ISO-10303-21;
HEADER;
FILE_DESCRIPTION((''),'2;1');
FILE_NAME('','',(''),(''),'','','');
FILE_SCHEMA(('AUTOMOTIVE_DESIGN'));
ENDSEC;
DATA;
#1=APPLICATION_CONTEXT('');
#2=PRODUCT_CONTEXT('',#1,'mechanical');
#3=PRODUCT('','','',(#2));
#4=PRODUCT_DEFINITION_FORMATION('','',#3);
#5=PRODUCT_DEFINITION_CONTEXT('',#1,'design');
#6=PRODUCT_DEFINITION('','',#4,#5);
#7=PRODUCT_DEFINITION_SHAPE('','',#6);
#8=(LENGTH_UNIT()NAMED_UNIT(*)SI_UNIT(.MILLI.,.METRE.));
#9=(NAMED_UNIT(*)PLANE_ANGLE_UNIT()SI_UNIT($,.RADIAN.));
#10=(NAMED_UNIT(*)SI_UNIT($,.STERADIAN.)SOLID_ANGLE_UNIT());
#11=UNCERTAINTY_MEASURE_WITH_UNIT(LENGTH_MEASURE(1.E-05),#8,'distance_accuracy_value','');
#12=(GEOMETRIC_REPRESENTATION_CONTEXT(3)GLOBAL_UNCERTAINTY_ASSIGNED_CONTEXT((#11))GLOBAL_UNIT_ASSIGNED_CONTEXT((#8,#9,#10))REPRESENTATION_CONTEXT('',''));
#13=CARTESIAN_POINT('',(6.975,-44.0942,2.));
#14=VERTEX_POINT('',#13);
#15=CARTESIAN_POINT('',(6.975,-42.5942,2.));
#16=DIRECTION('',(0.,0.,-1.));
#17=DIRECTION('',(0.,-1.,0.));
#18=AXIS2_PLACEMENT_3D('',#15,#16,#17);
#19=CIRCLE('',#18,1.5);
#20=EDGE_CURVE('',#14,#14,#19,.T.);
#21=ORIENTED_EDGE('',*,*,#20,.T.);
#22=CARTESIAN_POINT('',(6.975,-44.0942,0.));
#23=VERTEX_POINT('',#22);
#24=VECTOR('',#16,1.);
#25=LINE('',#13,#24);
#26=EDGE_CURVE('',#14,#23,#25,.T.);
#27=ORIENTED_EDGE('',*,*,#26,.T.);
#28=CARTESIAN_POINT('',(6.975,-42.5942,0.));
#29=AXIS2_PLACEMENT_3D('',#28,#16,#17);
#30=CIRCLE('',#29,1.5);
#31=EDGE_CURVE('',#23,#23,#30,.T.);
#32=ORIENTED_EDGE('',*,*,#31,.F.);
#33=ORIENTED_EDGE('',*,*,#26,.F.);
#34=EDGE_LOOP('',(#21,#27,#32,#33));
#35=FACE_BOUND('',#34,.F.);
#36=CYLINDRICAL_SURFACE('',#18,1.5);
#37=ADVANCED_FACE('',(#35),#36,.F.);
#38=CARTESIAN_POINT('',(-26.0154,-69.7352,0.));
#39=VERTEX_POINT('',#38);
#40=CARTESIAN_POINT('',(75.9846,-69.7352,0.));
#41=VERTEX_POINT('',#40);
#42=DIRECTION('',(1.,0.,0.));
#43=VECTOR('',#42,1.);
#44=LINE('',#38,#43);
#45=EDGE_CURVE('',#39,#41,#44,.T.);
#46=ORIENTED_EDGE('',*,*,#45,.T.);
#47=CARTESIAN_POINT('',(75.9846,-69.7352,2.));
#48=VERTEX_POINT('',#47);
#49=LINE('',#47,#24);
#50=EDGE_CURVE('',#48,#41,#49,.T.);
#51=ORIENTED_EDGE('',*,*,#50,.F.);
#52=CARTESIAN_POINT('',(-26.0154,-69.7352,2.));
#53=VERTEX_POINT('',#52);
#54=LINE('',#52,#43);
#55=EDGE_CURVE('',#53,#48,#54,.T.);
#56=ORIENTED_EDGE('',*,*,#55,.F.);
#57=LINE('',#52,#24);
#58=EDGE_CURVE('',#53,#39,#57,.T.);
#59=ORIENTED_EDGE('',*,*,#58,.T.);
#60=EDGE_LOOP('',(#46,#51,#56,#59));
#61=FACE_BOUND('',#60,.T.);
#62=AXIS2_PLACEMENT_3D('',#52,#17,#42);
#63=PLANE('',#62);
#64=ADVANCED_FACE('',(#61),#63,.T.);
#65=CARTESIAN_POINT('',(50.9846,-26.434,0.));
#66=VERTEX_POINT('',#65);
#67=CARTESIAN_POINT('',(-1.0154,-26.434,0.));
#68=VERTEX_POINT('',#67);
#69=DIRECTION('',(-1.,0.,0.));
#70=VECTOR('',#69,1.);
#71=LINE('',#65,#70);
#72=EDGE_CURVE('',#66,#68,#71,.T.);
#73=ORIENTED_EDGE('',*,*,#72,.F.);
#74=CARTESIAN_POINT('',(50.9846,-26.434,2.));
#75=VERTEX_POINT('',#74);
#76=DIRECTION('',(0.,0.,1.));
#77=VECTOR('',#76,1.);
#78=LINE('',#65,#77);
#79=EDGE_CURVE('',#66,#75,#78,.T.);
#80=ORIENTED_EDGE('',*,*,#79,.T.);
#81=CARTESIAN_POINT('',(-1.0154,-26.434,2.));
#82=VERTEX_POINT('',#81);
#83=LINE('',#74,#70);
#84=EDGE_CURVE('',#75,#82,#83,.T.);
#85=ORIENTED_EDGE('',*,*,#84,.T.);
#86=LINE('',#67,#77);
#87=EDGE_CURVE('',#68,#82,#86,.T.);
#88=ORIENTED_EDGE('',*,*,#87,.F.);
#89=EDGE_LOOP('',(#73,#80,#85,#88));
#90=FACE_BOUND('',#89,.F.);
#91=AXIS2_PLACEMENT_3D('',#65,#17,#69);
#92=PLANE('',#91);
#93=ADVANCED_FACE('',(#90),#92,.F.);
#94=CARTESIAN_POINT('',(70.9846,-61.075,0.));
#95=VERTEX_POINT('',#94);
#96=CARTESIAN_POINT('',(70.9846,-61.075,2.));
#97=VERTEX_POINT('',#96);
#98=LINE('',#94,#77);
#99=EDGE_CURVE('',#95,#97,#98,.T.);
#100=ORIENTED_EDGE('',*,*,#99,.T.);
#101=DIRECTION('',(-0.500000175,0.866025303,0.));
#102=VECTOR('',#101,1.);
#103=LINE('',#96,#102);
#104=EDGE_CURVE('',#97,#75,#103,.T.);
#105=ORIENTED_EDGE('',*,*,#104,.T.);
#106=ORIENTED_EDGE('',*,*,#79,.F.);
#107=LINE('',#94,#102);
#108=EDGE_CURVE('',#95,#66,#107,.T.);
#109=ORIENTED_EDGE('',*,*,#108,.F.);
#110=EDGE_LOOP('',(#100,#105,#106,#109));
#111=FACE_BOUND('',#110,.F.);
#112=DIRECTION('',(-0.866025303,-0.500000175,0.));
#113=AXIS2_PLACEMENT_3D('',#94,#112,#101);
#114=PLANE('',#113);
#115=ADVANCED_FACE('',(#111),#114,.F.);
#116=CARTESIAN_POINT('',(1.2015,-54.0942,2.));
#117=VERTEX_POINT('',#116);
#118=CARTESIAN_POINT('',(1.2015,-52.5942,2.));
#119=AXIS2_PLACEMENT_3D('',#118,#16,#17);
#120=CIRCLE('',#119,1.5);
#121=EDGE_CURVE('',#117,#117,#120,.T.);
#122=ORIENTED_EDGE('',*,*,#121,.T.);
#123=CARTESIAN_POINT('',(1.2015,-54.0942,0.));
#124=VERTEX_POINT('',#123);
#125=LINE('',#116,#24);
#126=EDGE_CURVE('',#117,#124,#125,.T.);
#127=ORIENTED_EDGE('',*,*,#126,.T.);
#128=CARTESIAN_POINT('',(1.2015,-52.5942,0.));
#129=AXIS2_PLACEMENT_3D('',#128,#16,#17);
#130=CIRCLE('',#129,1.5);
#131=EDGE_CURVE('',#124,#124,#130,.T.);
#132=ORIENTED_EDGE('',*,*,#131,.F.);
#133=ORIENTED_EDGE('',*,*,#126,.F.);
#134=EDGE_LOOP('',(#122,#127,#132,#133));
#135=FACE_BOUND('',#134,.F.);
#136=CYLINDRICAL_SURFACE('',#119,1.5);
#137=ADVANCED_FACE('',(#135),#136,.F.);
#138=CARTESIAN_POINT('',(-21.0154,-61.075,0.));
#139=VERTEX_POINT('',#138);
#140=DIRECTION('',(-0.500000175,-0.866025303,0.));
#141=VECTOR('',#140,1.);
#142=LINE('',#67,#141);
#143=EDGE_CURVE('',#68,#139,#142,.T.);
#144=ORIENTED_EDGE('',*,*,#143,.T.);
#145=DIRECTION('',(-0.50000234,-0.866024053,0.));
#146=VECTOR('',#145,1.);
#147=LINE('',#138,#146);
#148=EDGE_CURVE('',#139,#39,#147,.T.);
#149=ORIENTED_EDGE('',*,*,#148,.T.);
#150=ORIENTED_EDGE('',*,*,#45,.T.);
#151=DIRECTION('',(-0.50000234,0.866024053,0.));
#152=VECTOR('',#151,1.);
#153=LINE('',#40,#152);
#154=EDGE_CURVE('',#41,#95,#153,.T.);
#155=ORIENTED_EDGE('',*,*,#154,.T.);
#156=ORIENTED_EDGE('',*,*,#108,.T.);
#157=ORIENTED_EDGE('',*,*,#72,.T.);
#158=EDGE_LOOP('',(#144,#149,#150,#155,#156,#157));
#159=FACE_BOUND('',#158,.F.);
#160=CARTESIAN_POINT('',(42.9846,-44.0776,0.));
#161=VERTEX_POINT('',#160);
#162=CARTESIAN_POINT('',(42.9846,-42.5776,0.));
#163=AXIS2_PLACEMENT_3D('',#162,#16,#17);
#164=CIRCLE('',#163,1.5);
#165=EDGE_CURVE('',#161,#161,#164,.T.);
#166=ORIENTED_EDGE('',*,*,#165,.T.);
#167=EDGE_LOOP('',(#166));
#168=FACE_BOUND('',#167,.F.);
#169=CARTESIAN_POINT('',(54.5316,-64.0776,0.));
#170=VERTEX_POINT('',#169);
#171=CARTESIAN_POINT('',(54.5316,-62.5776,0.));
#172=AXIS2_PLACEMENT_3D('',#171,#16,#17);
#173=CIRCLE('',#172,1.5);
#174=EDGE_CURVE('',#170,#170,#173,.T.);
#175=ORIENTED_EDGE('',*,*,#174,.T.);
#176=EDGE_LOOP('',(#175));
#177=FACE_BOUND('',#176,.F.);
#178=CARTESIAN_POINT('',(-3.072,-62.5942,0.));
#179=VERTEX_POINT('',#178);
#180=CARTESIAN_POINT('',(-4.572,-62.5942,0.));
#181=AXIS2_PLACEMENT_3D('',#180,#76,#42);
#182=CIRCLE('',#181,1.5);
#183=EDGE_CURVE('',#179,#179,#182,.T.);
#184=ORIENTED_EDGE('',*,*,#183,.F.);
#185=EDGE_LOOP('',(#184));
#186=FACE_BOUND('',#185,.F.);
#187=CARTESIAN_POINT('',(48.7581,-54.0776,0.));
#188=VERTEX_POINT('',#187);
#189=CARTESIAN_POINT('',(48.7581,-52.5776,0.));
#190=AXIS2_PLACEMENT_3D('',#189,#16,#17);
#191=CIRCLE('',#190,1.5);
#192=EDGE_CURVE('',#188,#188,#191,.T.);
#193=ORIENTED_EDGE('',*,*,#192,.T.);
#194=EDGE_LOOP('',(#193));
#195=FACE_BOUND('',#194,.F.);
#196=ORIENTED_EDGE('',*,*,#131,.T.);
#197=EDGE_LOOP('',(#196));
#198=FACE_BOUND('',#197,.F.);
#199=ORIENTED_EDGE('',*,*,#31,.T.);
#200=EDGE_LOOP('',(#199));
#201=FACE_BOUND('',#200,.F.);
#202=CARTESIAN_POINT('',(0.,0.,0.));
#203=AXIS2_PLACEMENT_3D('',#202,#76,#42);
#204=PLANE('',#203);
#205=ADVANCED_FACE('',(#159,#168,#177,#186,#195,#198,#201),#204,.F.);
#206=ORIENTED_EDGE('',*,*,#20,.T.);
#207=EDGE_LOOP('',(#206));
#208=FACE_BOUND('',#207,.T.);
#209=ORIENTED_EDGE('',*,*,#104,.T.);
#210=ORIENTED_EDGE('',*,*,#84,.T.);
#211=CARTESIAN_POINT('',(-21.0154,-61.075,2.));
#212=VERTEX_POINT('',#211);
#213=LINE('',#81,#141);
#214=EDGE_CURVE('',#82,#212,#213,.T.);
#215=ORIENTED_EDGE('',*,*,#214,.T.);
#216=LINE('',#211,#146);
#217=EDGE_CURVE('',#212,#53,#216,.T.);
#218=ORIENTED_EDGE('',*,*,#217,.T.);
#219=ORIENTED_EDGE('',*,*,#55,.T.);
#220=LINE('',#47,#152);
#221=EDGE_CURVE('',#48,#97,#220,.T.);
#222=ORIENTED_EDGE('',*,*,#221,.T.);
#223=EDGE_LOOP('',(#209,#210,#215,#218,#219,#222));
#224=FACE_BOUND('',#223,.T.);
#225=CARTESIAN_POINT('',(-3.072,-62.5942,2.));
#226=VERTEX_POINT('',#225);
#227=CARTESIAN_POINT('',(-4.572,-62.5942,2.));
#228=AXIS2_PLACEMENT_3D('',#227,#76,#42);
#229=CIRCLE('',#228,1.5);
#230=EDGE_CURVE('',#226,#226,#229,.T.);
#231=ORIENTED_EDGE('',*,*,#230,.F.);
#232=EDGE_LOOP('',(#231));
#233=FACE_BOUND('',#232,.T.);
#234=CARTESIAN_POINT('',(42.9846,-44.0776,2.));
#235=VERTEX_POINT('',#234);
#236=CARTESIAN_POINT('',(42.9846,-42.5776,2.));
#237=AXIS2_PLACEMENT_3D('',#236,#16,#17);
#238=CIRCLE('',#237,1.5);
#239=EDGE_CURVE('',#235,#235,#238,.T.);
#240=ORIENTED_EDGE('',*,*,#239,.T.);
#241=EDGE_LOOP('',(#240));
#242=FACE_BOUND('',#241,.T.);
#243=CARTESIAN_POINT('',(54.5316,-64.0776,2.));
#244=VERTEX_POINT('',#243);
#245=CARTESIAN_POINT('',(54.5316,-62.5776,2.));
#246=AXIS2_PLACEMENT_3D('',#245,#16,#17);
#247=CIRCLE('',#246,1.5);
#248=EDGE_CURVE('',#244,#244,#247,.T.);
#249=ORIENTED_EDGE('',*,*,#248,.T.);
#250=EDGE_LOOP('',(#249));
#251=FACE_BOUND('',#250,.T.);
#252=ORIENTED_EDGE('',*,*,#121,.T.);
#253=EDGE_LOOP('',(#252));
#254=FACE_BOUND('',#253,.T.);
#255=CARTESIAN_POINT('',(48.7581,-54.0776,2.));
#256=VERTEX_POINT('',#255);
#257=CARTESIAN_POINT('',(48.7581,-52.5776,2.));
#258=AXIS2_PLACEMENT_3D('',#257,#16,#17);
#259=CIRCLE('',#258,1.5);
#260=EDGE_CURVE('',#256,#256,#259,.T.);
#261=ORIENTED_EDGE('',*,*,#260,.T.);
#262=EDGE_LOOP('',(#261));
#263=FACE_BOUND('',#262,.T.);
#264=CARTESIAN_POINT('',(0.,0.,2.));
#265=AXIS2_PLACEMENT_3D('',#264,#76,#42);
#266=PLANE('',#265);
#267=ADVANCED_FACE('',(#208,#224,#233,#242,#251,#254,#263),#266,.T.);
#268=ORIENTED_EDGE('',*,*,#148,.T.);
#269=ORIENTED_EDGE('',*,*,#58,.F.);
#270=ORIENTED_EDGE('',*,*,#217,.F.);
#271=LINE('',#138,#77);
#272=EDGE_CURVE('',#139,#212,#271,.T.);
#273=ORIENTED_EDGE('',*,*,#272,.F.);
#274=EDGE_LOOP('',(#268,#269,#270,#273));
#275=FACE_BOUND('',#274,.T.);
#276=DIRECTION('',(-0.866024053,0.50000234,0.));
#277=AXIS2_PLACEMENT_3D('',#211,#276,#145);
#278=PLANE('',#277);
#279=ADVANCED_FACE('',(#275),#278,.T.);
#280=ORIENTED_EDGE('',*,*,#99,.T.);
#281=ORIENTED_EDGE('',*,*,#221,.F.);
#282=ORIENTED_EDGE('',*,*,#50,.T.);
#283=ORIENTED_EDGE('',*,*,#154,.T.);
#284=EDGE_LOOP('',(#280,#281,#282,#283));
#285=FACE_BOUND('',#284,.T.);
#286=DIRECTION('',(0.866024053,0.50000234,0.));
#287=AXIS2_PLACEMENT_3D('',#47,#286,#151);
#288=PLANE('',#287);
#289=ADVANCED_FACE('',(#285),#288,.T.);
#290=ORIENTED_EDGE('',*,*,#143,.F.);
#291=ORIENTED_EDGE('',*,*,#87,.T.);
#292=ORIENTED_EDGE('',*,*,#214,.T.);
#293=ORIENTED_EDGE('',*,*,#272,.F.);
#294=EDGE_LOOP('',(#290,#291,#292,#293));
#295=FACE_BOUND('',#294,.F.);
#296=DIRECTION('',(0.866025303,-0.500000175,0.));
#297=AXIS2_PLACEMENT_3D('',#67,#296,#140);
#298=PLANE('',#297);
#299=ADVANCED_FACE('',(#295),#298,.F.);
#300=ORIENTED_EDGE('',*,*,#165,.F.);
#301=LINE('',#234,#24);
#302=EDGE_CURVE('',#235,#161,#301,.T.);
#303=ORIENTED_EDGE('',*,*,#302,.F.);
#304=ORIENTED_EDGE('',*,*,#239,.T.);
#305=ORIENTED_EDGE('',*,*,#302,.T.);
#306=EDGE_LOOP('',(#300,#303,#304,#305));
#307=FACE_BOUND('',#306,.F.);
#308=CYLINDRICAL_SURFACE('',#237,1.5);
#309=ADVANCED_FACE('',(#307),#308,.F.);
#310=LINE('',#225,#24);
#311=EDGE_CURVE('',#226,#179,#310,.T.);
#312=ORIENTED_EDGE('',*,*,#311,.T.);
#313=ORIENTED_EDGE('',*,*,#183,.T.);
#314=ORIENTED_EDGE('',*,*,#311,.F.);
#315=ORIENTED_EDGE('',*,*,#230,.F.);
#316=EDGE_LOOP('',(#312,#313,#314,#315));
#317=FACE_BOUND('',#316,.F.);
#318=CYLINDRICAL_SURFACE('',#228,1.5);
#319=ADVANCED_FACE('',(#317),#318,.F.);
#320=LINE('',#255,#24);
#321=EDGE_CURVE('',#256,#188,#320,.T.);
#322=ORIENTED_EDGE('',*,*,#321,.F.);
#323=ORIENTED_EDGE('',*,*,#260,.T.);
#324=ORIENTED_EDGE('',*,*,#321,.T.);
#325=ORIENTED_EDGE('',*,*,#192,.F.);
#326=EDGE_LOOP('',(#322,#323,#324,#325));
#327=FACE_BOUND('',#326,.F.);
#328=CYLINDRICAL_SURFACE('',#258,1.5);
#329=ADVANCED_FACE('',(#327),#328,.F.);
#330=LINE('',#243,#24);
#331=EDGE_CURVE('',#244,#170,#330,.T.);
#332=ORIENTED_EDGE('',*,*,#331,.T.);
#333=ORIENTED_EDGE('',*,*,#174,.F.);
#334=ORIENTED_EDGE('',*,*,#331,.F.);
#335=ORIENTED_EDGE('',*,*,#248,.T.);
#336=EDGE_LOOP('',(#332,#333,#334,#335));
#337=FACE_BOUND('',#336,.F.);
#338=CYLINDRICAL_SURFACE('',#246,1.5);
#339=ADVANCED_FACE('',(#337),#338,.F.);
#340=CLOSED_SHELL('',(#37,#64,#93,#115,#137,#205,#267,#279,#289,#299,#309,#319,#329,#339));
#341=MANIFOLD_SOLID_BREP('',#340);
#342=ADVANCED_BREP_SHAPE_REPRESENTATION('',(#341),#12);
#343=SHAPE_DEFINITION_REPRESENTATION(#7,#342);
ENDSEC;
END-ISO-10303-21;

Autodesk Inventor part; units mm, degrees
ref_plane "YZ Plane" through (0, 0, 0) normal (1, 0, 0) x (0, 1, 0)
ref_plane "XZ Plane" through (0, 0, 0) normal (0, 1, 0) x (-1, 0, 0)
ref_plane "XY Plane" through (0, 0, 0) normal (0, 0, 1) x (1, 0, 0)
sketch "スケッチ1" plane through (0, 0, 0) normal (0, 0, 1) x (1, 0, 0)
  line L0 (-21.0154, -61.075) -> (70.9846, -61.075)
  line L1 (70.9846, -61.075) -> (50.9846, -26.434)
  line L2 (50.9846, -26.434) -> (-1.0154, -26.434)
  line L3 (-1.0154, -26.434) -> (-21.0154, -61.075)
  point P0 (0, 0)
  dimension "d0" = 92
  dimension "d1" = 40
  dimension "d2" = 60
  dimension "d3" = 52
extrude "押し出し1" add sketch "スケッチ1" along normal blind 2
sketch "スケッチ2" plane through (0, 0, 2) normal (0, 0, 1) x (1, 0, 0)
  circle A0 centre (6.975, -42.5942) radius 1.5
  line L0 (-1.0154, -26.434) -> (-21.0154, -61.075) projected
  line L1 (50.9846, -26.434) -> (-1.0154, -26.434) projected
  line L2 (-1.0154, -26.434) -> (24.9653, -41.434)
  line L3 (-1.0154, -26.434) -> (28.9846, -26.434) construction
  line L4 (70.9846, -61.075) -> (50.9846, -26.434) projected
  line L5 (50.9846, -26.434) -> (24.9751, -41.4506)
  circle A1 centre (1.2015, -52.5942) radius 1.5
  circle A2 centre (-4.572, -62.5942) radius 1.5
  line L6 (-21.0154, -61.075) -> (70.9846, -61.075) projected
  line L7 (-21.0154, -61.075) -> (-26.0154, -69.7352)
  line L8 (-21.0154, -61.075) -> (-11.0154, -61.075) construction
  line L9 (-26.0154, -69.7352) -> (75.9846, -69.7352)
  line L10 (75.9846, -69.7352) -> (70.9846, -61.075)
  point P0 (0, 0)
  dimension "d6" = 3
  dimension "d7" = 15
  dimension "d8" = 30
  dimension "d9" = 30
  dimension "d10" = 10
  dimension "d11" = 3
  dimension "d12" = 3
  dimension "d13" = 10
  dimension "d14" = 15
  dimension "d15" = 10
  dimension "d16" = 120
  dimension "d17" = 60
  dimension "d18" = 10
  dimension "d19" = 15
extrude "押し出し2" add sketch "スケッチ2" against normal blind 2 contours L6 L10 L9 L7
sketch "スケッチ3" plane through (0, 0, 2) normal (0, 0, 1) x (1, 0, 0)
  line L0 (-1.0154, -26.434) -> (-26.0154, -69.7352) projected
  line L1 (-1.0154, -26.434) -> (24.9653, -41.434)
  line L2 (-1.0154, -26.434) -> (28.9846, -26.434) construction
  line L3 (24.9653, -41.434) -> (50.9461, -26.434)
  circle A0 centre (6.975, -42.5942) radius 1.5
  circle A1 centre (1.2015, -52.5942) radius 1.5
  circle A2 centre (42.9846, -42.5776) radius 1.5
  circle A3 centre (48.7581, -52.5776) radius 1.5
  circle A4 centre (54.5316, -62.5776) radius 1.5
  line L4 (75.9846, -69.7352) -> (50.9846, -26.434) projected
  point P0 (0, 0)
  dimension "d22" = 30
  dimension "d23" = 30
  dimension "d24" = 120
  dimension "d25" = 3
  dimension "d26" = 15
  dimension "d27" = 10
  dimension "d28" = 3
  dimension "d29" = 15
  dimension "d30" = 10
  dimension "d31" = 3
  dimension "d32" = 3
  dimension "d33" = 3
  dimension "d34" = 15
  dimension "d35" = 15
  dimension "d36" = 15
  dimension "d37" = 10
  dimension "d38" = 10
  dimension "d39" = 10
hole "穴1" at (1.2015, -52.5942, 2) at (6.975, -42.5942, 2) at (42.9846, -42.5776, 2) at (54.5316, -62.5776, 2) at (48.7581, -52.5776, 2) direction (0, 0, -1) diameter 3 depth 2
equation "\"BendRadius\" = Thickness"
equation "\"BendReliefWidth\" = Thickness"
equation "\"BendReliefDepth\" = 0.5 * Thickness"
equation "\"CornerReliefSize\" = 4 * Thickness"
equation "\"MinimumRemnant\" = 2 * Thickness"
equation "\"TransitionRadius\" = BendRadius"
equation "\"JacobiRadiusSize\" = BendRadius"
equation "\"GapSize\" = Thickness"
equation "\"Thickness\" = 0.5"
properties part number "nhk22" material "アルミニウム 6061"
